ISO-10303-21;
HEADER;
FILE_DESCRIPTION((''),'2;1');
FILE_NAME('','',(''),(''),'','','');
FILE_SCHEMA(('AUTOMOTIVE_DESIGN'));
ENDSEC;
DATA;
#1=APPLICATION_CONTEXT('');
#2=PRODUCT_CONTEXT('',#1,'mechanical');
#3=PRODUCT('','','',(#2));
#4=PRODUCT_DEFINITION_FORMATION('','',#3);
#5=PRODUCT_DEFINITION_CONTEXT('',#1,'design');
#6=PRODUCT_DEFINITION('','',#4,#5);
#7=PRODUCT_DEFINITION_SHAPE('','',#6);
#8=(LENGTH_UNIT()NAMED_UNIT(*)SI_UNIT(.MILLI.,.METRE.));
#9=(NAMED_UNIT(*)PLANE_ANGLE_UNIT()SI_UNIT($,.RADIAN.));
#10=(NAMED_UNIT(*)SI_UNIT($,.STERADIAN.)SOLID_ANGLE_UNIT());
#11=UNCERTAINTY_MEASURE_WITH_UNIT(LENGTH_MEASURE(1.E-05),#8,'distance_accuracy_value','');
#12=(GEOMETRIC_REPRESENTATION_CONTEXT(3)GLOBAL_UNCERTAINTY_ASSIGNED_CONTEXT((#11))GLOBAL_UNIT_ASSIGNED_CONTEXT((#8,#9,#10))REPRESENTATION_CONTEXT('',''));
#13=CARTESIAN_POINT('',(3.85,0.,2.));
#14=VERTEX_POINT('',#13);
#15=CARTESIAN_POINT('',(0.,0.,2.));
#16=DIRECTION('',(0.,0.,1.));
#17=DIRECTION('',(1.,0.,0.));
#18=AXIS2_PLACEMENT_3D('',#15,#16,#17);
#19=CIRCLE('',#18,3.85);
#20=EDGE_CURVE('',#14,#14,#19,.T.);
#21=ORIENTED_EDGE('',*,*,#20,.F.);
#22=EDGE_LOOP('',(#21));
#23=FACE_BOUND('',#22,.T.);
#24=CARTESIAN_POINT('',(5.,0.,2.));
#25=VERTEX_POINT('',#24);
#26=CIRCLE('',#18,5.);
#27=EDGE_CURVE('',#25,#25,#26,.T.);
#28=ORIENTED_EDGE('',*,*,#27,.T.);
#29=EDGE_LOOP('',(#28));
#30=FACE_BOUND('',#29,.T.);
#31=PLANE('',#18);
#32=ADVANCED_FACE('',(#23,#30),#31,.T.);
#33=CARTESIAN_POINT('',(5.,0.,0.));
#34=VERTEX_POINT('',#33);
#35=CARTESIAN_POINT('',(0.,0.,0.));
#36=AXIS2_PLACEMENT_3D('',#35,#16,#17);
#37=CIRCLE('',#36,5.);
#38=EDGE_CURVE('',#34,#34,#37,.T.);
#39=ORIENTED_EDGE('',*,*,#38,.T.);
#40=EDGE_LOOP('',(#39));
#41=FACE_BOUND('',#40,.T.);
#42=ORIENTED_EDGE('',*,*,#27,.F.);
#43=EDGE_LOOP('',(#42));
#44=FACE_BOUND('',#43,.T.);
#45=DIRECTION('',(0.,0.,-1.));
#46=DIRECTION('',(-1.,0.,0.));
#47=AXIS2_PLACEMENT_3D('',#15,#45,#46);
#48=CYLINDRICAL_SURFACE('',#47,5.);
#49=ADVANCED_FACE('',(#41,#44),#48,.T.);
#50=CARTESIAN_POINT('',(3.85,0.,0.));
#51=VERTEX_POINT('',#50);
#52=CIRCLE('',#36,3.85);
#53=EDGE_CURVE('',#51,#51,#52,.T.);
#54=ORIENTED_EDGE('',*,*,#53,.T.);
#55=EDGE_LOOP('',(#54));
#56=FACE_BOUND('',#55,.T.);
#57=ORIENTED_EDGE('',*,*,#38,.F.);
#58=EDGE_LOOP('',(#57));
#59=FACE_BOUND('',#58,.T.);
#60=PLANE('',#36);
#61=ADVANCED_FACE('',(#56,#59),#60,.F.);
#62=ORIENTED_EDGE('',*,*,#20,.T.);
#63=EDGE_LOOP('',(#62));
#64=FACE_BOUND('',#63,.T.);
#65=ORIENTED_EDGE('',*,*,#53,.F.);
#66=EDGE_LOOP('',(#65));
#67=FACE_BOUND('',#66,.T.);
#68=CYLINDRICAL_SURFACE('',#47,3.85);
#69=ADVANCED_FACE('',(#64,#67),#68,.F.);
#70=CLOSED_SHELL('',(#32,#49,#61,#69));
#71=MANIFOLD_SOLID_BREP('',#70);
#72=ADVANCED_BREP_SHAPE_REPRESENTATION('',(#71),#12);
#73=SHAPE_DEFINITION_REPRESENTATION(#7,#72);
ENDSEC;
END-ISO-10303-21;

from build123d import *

# Parameters (mm, degrees)
SZKIC1_R                    = 5
SZKIC1_R_2                  = 3.85
DODANIE_WYCI_GNI_CIE1_DEPTH = 2


with BuildPart() as part:
    # Szkic1 → Dodanie-wyciągnięcie1 (new body)
    with BuildSketch(Plane.XY):
        Circle(SZKIC1_R)
        Circle(SZKIC1_R_2, mode=Mode.SUBTRACT)
    extrude(amount=DODANIE_WYCI_GNI_CIE1_DEPTH)


solid = part.part
